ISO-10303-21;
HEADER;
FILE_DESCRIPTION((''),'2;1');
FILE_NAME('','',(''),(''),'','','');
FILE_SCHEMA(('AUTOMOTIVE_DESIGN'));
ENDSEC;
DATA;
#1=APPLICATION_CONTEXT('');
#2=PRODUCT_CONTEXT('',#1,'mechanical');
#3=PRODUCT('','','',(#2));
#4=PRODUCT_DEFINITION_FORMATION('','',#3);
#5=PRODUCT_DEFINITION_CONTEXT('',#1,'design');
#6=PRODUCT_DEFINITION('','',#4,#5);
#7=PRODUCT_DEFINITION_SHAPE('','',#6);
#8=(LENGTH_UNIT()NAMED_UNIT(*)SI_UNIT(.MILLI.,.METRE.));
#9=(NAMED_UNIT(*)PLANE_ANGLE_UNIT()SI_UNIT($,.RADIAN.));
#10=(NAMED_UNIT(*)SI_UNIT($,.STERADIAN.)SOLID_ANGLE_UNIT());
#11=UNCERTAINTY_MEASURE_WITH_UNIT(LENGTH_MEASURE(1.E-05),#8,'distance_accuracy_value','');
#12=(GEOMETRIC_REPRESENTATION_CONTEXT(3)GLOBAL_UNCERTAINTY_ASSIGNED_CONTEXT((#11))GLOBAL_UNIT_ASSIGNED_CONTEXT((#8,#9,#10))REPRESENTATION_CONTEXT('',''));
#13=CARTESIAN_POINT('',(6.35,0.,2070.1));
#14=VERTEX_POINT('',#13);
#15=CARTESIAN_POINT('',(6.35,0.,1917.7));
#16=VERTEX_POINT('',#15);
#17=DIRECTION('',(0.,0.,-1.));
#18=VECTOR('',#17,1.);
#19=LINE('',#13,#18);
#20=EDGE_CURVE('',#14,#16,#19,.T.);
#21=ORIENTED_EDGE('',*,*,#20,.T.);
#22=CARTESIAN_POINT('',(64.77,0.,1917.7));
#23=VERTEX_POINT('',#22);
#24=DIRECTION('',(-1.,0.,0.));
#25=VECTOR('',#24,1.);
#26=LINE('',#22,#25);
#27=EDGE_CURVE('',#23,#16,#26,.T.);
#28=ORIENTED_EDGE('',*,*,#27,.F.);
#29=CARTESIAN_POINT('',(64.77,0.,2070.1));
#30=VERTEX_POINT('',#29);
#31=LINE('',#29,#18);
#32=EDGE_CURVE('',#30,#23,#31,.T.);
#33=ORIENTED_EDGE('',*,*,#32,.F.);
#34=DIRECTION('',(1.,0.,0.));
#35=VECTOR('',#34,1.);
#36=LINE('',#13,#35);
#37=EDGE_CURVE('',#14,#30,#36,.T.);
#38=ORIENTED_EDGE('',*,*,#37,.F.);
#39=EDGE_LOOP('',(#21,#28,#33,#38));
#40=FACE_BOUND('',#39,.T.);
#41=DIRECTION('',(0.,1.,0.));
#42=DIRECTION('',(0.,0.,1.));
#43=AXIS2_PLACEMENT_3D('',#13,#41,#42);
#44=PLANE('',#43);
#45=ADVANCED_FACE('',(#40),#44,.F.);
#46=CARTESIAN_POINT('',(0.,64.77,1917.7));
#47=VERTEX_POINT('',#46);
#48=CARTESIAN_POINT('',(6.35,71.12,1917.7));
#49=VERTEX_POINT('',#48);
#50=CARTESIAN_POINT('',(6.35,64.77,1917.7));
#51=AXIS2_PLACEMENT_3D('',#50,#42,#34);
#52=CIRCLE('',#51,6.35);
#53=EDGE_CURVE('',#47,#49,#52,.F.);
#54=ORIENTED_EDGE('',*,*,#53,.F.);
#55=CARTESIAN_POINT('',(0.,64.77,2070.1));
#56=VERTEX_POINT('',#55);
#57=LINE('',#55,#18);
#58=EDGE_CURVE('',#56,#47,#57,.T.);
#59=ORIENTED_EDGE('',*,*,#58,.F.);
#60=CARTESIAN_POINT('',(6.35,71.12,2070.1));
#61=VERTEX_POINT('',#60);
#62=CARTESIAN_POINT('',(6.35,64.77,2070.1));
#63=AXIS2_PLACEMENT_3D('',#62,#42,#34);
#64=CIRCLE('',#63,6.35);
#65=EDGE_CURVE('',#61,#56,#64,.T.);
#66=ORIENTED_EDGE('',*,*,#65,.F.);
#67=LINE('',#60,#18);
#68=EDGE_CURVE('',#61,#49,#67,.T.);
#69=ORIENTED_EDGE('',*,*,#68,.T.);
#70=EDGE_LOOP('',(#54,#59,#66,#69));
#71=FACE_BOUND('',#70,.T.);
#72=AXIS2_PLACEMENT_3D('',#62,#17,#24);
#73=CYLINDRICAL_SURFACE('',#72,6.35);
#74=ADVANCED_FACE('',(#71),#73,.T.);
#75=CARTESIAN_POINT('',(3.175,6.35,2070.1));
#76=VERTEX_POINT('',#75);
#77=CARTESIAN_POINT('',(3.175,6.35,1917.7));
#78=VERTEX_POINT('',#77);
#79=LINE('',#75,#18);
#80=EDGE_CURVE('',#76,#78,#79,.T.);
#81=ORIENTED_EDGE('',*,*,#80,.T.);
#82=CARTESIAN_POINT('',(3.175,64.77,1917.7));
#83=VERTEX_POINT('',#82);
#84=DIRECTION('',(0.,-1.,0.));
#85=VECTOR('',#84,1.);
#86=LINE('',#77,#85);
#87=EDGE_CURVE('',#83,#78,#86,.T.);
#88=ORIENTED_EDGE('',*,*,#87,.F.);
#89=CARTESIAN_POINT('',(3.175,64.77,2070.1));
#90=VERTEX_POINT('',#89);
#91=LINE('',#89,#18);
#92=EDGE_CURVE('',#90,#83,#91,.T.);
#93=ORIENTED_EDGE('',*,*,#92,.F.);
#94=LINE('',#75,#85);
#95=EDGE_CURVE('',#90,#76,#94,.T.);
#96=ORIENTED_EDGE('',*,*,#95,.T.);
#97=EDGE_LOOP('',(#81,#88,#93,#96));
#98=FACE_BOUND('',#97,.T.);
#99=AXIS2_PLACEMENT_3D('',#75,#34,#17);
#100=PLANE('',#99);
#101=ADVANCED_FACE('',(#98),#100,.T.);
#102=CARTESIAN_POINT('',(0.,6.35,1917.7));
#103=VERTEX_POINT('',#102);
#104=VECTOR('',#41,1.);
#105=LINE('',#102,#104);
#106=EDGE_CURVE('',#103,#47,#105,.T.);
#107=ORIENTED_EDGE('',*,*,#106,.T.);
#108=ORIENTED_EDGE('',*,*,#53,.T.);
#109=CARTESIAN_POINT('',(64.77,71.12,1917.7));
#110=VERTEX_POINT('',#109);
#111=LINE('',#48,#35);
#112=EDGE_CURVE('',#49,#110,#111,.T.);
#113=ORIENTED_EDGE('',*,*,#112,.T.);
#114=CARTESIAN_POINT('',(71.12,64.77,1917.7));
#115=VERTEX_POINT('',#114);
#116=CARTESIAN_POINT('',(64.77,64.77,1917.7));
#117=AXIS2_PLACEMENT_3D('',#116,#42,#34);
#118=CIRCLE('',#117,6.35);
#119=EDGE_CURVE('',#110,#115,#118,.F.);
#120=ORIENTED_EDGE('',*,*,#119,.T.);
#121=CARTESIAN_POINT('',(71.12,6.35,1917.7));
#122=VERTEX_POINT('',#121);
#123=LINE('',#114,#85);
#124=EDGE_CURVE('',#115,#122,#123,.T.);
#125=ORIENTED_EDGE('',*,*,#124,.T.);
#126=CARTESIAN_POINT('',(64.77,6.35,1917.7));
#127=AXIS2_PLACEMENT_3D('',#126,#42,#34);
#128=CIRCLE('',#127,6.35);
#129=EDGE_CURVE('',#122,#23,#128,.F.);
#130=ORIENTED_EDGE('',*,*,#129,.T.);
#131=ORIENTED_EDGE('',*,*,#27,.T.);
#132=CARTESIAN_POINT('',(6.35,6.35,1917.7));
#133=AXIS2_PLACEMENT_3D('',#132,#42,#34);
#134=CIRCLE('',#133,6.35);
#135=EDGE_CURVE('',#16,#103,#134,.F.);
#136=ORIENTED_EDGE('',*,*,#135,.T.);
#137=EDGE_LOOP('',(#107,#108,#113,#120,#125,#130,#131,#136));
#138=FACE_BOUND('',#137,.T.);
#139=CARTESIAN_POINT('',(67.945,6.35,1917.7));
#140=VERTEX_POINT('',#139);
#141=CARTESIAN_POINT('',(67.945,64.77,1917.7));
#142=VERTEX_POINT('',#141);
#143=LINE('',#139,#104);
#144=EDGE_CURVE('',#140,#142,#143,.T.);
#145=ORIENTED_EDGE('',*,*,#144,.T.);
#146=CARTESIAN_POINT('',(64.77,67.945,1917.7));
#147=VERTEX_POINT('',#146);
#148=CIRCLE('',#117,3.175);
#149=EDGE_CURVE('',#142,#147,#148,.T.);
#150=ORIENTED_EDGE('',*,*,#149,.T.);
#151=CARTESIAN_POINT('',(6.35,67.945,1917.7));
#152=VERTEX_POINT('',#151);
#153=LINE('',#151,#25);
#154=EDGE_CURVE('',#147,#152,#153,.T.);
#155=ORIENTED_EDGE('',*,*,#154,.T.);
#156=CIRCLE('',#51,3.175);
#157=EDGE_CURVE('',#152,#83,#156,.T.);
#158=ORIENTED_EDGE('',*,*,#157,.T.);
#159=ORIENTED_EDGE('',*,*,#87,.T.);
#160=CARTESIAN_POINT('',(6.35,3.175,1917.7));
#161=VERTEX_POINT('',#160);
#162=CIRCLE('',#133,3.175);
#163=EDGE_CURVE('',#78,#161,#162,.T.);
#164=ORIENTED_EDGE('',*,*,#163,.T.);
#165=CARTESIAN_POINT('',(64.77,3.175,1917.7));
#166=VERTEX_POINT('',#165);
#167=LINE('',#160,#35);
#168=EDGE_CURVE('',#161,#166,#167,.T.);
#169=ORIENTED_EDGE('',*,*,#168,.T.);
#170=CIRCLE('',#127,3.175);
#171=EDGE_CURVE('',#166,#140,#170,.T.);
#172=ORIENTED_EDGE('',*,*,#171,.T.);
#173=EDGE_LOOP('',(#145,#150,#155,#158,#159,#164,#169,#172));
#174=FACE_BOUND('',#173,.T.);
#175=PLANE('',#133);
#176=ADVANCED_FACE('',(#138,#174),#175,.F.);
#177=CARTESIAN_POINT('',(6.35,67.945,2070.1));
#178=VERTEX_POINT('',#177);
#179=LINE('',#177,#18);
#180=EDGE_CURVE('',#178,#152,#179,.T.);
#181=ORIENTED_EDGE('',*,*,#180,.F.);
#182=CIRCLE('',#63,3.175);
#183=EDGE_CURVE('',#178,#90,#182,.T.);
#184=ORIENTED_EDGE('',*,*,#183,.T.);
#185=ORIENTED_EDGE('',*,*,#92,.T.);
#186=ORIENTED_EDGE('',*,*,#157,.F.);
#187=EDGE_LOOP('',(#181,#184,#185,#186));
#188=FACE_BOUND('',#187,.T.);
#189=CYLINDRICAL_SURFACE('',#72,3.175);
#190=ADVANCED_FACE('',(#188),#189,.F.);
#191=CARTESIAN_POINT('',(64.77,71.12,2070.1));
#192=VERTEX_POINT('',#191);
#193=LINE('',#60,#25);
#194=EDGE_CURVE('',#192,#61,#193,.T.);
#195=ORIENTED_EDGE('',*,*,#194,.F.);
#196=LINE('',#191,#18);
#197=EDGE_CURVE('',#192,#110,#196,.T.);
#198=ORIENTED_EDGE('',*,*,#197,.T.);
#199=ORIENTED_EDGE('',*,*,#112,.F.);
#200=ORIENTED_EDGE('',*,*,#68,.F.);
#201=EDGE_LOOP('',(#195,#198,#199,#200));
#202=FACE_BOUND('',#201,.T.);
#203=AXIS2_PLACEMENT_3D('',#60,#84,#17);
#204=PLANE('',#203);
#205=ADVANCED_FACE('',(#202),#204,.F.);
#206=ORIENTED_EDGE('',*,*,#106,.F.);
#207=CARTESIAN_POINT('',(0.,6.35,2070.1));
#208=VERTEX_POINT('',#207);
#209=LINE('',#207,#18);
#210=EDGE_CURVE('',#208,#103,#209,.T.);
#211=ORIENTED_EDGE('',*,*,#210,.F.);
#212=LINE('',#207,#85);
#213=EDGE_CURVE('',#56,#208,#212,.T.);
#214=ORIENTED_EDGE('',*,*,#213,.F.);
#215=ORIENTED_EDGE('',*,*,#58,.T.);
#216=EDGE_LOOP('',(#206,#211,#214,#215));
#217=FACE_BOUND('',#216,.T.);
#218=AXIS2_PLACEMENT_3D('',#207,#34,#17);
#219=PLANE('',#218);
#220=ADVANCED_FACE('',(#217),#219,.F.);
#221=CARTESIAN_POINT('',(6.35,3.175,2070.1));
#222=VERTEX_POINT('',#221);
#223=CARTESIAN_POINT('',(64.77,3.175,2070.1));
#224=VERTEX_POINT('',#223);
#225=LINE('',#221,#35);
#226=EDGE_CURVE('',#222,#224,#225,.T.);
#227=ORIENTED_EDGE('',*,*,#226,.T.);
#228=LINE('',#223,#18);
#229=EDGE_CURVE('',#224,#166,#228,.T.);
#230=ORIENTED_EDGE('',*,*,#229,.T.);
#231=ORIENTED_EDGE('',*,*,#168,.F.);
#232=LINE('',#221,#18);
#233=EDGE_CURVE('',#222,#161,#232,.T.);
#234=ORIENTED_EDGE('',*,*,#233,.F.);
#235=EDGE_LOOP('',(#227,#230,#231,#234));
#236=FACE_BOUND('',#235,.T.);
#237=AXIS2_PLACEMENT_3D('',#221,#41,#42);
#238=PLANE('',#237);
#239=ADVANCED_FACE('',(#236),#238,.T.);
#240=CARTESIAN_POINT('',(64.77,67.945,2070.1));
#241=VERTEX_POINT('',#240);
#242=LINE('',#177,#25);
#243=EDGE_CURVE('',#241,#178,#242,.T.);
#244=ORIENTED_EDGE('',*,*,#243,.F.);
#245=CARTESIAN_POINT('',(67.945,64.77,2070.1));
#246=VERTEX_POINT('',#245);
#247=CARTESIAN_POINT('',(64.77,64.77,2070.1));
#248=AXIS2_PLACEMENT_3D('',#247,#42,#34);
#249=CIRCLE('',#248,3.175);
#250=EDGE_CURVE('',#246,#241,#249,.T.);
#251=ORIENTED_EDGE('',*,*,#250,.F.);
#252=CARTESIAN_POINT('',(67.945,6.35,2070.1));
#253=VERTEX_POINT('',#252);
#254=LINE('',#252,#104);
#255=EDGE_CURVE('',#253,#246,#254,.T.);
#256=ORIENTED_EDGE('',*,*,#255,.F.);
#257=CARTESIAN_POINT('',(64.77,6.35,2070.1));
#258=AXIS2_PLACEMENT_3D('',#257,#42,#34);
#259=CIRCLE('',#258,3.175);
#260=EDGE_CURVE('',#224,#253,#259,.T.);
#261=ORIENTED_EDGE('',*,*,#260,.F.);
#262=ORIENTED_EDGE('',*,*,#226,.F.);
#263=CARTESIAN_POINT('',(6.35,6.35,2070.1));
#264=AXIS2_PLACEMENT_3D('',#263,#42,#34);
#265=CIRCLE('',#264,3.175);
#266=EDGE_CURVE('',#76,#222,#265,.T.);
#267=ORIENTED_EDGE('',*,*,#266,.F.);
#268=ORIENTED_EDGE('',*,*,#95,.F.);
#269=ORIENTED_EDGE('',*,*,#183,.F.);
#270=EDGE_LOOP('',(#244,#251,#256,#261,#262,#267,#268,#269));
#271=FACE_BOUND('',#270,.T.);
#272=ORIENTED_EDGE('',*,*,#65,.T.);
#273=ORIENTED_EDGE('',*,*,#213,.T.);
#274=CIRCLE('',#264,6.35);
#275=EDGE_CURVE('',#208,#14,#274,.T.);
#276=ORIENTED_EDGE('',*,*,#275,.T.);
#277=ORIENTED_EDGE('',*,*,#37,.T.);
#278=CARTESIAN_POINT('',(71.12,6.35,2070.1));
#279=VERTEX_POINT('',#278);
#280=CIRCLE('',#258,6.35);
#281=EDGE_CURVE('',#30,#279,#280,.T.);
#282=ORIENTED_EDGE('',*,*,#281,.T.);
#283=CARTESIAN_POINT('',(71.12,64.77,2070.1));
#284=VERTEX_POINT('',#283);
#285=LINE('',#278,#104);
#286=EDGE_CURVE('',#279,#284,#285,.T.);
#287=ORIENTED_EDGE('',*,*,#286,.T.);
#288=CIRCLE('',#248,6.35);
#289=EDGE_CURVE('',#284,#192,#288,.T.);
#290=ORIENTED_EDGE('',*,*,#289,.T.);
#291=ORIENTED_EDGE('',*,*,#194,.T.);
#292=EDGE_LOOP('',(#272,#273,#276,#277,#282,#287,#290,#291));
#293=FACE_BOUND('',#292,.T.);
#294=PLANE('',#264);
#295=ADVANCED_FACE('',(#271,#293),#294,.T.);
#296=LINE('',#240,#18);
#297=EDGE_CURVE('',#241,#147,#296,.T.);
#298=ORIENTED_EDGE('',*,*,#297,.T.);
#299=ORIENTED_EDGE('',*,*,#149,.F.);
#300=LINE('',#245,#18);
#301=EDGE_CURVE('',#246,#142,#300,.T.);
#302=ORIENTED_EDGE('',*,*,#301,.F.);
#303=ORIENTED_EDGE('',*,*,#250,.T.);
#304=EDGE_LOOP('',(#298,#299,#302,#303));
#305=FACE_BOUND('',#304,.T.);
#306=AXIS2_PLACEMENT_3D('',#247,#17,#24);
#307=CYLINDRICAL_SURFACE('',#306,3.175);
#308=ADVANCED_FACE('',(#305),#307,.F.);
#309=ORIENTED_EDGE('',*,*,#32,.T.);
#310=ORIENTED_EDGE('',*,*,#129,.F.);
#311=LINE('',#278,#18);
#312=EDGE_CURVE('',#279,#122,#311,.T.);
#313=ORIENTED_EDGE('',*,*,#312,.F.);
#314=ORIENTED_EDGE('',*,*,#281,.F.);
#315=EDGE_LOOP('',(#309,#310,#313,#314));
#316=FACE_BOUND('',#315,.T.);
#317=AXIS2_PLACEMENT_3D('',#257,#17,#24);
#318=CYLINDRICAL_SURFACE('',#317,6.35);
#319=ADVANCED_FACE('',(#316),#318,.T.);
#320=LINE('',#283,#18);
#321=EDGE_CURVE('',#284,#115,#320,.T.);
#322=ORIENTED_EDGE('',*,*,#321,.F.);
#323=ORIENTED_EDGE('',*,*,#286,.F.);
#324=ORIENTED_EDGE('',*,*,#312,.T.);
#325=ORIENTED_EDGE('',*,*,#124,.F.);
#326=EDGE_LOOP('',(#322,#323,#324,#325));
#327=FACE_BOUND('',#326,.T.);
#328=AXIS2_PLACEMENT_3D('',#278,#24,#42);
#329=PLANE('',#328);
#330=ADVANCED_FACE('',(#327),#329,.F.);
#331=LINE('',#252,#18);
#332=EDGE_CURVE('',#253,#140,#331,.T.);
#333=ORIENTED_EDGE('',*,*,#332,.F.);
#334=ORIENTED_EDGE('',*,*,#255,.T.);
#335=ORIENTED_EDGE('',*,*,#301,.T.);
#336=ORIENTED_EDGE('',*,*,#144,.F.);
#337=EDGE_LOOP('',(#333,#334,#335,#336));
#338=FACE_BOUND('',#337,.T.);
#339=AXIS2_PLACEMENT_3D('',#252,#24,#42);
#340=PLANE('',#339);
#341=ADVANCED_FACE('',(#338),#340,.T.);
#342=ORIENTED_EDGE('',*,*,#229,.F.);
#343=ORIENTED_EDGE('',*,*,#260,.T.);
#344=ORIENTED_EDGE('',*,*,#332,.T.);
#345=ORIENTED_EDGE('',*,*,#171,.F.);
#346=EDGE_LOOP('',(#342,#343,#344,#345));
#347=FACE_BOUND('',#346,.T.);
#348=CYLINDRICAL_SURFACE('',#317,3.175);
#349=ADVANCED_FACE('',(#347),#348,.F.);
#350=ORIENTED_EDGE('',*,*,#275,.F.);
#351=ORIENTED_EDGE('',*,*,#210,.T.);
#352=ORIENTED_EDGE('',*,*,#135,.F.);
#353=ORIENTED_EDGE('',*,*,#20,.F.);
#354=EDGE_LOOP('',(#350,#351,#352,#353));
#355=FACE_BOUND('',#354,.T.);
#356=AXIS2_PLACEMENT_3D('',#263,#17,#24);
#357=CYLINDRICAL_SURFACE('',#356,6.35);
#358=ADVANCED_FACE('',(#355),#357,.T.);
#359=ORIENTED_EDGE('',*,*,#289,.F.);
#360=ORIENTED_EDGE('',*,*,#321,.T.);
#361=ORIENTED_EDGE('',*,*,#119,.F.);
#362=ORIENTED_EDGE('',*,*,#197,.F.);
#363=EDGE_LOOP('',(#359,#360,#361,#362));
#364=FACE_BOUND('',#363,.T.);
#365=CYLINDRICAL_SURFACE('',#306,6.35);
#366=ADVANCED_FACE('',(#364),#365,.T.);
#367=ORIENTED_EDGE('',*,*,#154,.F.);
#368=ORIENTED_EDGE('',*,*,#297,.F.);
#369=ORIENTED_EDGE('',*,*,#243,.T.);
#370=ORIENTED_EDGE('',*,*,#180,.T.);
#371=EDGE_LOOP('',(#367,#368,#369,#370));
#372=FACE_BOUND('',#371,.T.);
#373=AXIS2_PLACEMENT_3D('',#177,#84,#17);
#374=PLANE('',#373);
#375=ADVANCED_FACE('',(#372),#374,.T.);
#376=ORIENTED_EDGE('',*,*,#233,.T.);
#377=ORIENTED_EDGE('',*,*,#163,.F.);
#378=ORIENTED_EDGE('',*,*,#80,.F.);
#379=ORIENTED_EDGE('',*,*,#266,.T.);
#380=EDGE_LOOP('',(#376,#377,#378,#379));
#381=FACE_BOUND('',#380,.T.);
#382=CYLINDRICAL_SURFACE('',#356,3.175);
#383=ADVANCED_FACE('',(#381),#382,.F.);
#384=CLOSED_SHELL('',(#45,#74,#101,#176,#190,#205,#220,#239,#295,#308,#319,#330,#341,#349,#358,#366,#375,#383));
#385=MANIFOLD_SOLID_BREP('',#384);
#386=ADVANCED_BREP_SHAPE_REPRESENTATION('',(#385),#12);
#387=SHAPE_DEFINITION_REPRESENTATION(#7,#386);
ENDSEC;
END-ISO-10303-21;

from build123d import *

# Parameters (mm, degrees)
BOSS_EXTRUDE1_DEPTH = 2070.1
SKETCH2_R           = 6.35
CUT_EXTRUDE1_DEPTH  = 2073.54194621
SKETCH3_R           = 3.274297192
CUT_EXTRUDE2_DEPTH  = 2073.54194621
CUT_EXTRUDE3_REACH  = 2074.542
SKETCH4_R           = 1.905
CUT_EXTRUDE4_DEPTH  = 1917.7


with BuildPart() as part:
    # Sketch1 → Boss-Extrude1 (new body)
    with BuildSketch(Plane.XY):
        with BuildLine():
            Line((6.35, 0), (64.77, 0))
            ThreePointArc((64.77, 0), (69.260128061, 1.859871939), (71.12, 6.35))
            Line((71.12, 6.35), (71.12, 64.77))
            ThreePointArc((71.12, 64.77), (69.260128061, 69.260128061), (64.77, 71.12))
            Line((64.77, 71.12), (6.35, 71.12))
            ThreePointArc((6.35, 71.12), (1.859871939, 69.260128061), (0, 64.77))
            Line((0, 64.77), (0, 6.35))
            ThreePointArc((0, 6.35), (1.859871939, 1.859871939), (6.35, 0))
        make_face()
        with BuildLine():
            Line((6.35, 3.175), (64.77, 3.175))
            ThreePointArc((64.77, 3.175), (67.01506403, 4.10493597), (67.945, 6.35))
            Line((67.945, 6.35), (67.945, 64.77))
            ThreePointArc((67.945, 64.77), (67.01506403, 67.01506403), (64.77, 67.945))
            Line((64.77, 67.945), (6.35, 67.945))
            ThreePointArc((6.35, 67.945), (4.10493597, 67.01506403), (3.175, 64.77))
            Line((3.175, 64.77), (3.175, 6.35))
            ThreePointArc((3.175, 6.35), (4.10493597, 4.10493597), (6.35, 3.175))
        make_face(mode=Mode.SUBTRACT)
    extrude(amount=BOSS_EXTRUDE1_DEPTH)

    # Sketch2 → Cut-Extrude1 (cut, through all)
    with BuildSketch(Plane(origin=(0, 0, 0), x_dir=(1, 0, 0), z_dir=(0, 1, 0))):
        with Locations(Location((35.56, -101.6, 0), (0, 0, 90))):
            Circle(SKETCH2_R)
        with Locations(Location((35.56, -279.4, 0), (0, 0, 90))):
            Circle(SKETCH2_R)
    extrude(amount=CUT_EXTRUDE1_DEPTH, mode=Mode.SUBTRACT)

    # Sketch3 → Cut-Extrude2 (cut, through all)
    with BuildSketch(Plane.ZY):
        with Locations((12.7, 53.975)):
            Circle(SKETCH3_R)
        with Locations((12.7, 17.145)):
            Circle(SKETCH3_R)
        with Locations((63.5, 17.145)):
            Circle(SKETCH3_R)
        with Locations((63.5, 53.975)):
            Circle(SKETCH3_R)
    extrude(amount=-CUT_EXTRUDE2_DEPTH, mode=Mode.SUBTRACT)

    # Sketch4 → Cut-Extrude3 (cut, up to next)
    with BuildSketch(Plane(origin=(0, 71.12, 0), x_dir=(1, 0, 0), z_dir=(0, 1, 0)), mode=Mode.PRIVATE) as cut_extrude3_sk1:
        with Locations(Location((13.335, -1508.125, 0), (0, 0, 270))):
            Circle(SKETCH4_R)
    cut_extrude3_tool1 = extrude(cut_extrude3_sk1.sketch, amount=-CUT_EXTRUDE3_REACH, mode=Mode.PRIVATE) & part.part
    # Sketch4 → Cut-Extrude3 (cut, up to next)
    with BuildSketch(Plane(origin=(0, 71.12, 0), x_dir=(1, 0, 0), z_dir=(0, 1, 0)), mode=Mode.PRIVATE) as cut_extrude3_sk2:
        with Locations(Location((57.785, -1508.125, 0), (0, 0, 270))):
            Circle(SKETCH4_R)
    cut_extrude3_tool2 = extrude(cut_extrude3_sk2.sketch, amount=-CUT_EXTRUDE3_REACH, mode=Mode.PRIVATE) & part.part
    # Sketch4 → Cut-Extrude3 (cut, up to next)
    with BuildSketch(Plane(origin=(0, 71.12, 0), x_dir=(1, 0, 0), z_dir=(0, 1, 0)), mode=Mode.PRIVATE) as cut_extrude3_sk3:
        with Locations(Location((57.785, -1565.275, 0), (0, 0, 270))):
            Circle(SKETCH4_R)
    cut_extrude3_tool3 = extrude(cut_extrude3_sk3.sketch, amount=-CUT_EXTRUDE3_REACH, mode=Mode.PRIVATE) & part.part
    # Sketch4 → Cut-Extrude3 (cut, up to next)
    with BuildSketch(Plane(origin=(0, 71.12, 0), x_dir=(1, 0, 0), z_dir=(0, 1, 0)), mode=Mode.PRIVATE) as cut_extrude3_sk4:
        with Locations(Location((13.335, -1565.275, 0), (0, 0, 270))):
            Circle(SKETCH4_R)
    cut_extrude3_tool4 = extrude(cut_extrude3_sk4.sketch, amount=-CUT_EXTRUDE3_REACH, mode=Mode.PRIVATE) & part.part
    # Sketch4 → Cut-Extrude3 (cut, up to next)
    with BuildSketch(Plane(origin=(0, 71.12, 0), x_dir=(1, 0, 0), z_dir=(0, 1, 0)), mode=Mode.PRIVATE) as cut_extrude3_sk5:
        with Locations(Location((13.335, -1133.475, 0), (0, 0, 270))):
            Circle(SKETCH4_R)
    cut_extrude3_tool5 = extrude(cut_extrude3_sk5.sketch, amount=-CUT_EXTRUDE3_REACH, mode=Mode.PRIVATE) & part.part
    # Sketch4 → Cut-Extrude3 (cut, up to next)
    with BuildSketch(Plane(origin=(0, 71.12, 0), x_dir=(1, 0, 0), z_dir=(0, 1, 0)), mode=Mode.PRIVATE) as cut_extrude3_sk6:
        with Locations(Location((57.785, -1133.475, 0), (0, 0, 270))):
            Circle(SKETCH4_R)
    cut_extrude3_tool6 = extrude(cut_extrude3_sk6.sketch, amount=-CUT_EXTRUDE3_REACH, mode=Mode.PRIVATE) & part.part
    # Sketch4 → Cut-Extrude3 (cut, up to next)
    with BuildSketch(Plane(origin=(0, 71.12, 0), x_dir=(1, 0, 0), z_dir=(0, 1, 0)), mode=Mode.PRIVATE) as cut_extrude3_sk7:
        with Locations(Location((57.785, -1190.625, 0), (0, 0, 270))):
            Circle(SKETCH4_R)
    cut_extrude3_tool7 = extrude(cut_extrude3_sk7.sketch, amount=-CUT_EXTRUDE3_REACH, mode=Mode.PRIVATE) & part.part
    # Sketch4 → Cut-Extrude3 (cut, up to next)
    with BuildSketch(Plane(origin=(0, 71.12, 0), x_dir=(1, 0, 0), z_dir=(0, 1, 0)), mode=Mode.PRIVATE) as cut_extrude3_sk8:
        with Locations(Location((13.335, -1190.625, 0), (0, 0, 270))):
            Circle(SKETCH4_R)
    cut_extrude3_tool8 = extrude(cut_extrude3_sk8.sketch, amount=-CUT_EXTRUDE3_REACH, mode=Mode.PRIVATE) & part.part
    add(cut_extrude3_tool1.solids().sort_by_distance((13.335, 71.12, 1508.125))[0], mode=Mode.SUBTRACT)
    add(cut_extrude3_tool2.solids().sort_by_distance((57.785, 71.12, 1508.125))[0], mode=Mode.SUBTRACT)
    add(cut_extrude3_tool3.solids().sort_by_distance((57.785, 71.12, 1565.275))[0], mode=Mode.SUBTRACT)
    add(cut_extrude3_tool4.solids().sort_by_distance((13.335, 71.12, 1565.275))[0], mode=Mode.SUBTRACT)
    add(cut_extrude3_tool5.solids().sort_by_distance((13.335, 71.12, 1133.475))[0], mode=Mode.SUBTRACT)
    add(cut_extrude3_tool6.solids().sort_by_distance((57.785, 71.12, 1133.475))[0], mode=Mode.SUBTRACT)
    add(cut_extrude3_tool7.solids().sort_by_distance((57.785, 71.12, 1190.625))[0], mode=Mode.SUBTRACT)
    add(cut_extrude3_tool8.solids().sort_by_distance((13.335, 71.12, 1190.625))[0], mode=Mode.SUBTRACT)

    # Sketch5 → Cut-Extrude4 (cut)
    with BuildSketch(Plane(origin=(0, 0, 0), x_dir=(-1, 0, 0), z_dir=(0, 0, -1))):
        with BuildLine():
            Line((0, 6.35), (0, 64.77))
            ThreePointArc((0, 64.77), (-1.859871939, 69.260128061), (-6.35, 71.12))
            Line((-6.35, 71.12), (-64.77, 71.12))
            ThreePointArc((-64.77, 71.12), (-69.260128061, 69.260128061), (-71.12, 64.77))
            Line((-71.12, 64.77), (-71.12, 6.35))
            ThreePointArc((-71.12, 6.35), (-69.260128061, 1.859871939), (-64.77, 0))
            Line((-64.77, 0), (-6.35, 0))
            ThreePointArc((-6.35, 0), (-1.859871939, 1.859871939), (0, 6.35))
        make_face()
    extrude(amount=-CUT_EXTRUDE4_DEPTH, mode=Mode.SUBTRACT)


solid = part.part
